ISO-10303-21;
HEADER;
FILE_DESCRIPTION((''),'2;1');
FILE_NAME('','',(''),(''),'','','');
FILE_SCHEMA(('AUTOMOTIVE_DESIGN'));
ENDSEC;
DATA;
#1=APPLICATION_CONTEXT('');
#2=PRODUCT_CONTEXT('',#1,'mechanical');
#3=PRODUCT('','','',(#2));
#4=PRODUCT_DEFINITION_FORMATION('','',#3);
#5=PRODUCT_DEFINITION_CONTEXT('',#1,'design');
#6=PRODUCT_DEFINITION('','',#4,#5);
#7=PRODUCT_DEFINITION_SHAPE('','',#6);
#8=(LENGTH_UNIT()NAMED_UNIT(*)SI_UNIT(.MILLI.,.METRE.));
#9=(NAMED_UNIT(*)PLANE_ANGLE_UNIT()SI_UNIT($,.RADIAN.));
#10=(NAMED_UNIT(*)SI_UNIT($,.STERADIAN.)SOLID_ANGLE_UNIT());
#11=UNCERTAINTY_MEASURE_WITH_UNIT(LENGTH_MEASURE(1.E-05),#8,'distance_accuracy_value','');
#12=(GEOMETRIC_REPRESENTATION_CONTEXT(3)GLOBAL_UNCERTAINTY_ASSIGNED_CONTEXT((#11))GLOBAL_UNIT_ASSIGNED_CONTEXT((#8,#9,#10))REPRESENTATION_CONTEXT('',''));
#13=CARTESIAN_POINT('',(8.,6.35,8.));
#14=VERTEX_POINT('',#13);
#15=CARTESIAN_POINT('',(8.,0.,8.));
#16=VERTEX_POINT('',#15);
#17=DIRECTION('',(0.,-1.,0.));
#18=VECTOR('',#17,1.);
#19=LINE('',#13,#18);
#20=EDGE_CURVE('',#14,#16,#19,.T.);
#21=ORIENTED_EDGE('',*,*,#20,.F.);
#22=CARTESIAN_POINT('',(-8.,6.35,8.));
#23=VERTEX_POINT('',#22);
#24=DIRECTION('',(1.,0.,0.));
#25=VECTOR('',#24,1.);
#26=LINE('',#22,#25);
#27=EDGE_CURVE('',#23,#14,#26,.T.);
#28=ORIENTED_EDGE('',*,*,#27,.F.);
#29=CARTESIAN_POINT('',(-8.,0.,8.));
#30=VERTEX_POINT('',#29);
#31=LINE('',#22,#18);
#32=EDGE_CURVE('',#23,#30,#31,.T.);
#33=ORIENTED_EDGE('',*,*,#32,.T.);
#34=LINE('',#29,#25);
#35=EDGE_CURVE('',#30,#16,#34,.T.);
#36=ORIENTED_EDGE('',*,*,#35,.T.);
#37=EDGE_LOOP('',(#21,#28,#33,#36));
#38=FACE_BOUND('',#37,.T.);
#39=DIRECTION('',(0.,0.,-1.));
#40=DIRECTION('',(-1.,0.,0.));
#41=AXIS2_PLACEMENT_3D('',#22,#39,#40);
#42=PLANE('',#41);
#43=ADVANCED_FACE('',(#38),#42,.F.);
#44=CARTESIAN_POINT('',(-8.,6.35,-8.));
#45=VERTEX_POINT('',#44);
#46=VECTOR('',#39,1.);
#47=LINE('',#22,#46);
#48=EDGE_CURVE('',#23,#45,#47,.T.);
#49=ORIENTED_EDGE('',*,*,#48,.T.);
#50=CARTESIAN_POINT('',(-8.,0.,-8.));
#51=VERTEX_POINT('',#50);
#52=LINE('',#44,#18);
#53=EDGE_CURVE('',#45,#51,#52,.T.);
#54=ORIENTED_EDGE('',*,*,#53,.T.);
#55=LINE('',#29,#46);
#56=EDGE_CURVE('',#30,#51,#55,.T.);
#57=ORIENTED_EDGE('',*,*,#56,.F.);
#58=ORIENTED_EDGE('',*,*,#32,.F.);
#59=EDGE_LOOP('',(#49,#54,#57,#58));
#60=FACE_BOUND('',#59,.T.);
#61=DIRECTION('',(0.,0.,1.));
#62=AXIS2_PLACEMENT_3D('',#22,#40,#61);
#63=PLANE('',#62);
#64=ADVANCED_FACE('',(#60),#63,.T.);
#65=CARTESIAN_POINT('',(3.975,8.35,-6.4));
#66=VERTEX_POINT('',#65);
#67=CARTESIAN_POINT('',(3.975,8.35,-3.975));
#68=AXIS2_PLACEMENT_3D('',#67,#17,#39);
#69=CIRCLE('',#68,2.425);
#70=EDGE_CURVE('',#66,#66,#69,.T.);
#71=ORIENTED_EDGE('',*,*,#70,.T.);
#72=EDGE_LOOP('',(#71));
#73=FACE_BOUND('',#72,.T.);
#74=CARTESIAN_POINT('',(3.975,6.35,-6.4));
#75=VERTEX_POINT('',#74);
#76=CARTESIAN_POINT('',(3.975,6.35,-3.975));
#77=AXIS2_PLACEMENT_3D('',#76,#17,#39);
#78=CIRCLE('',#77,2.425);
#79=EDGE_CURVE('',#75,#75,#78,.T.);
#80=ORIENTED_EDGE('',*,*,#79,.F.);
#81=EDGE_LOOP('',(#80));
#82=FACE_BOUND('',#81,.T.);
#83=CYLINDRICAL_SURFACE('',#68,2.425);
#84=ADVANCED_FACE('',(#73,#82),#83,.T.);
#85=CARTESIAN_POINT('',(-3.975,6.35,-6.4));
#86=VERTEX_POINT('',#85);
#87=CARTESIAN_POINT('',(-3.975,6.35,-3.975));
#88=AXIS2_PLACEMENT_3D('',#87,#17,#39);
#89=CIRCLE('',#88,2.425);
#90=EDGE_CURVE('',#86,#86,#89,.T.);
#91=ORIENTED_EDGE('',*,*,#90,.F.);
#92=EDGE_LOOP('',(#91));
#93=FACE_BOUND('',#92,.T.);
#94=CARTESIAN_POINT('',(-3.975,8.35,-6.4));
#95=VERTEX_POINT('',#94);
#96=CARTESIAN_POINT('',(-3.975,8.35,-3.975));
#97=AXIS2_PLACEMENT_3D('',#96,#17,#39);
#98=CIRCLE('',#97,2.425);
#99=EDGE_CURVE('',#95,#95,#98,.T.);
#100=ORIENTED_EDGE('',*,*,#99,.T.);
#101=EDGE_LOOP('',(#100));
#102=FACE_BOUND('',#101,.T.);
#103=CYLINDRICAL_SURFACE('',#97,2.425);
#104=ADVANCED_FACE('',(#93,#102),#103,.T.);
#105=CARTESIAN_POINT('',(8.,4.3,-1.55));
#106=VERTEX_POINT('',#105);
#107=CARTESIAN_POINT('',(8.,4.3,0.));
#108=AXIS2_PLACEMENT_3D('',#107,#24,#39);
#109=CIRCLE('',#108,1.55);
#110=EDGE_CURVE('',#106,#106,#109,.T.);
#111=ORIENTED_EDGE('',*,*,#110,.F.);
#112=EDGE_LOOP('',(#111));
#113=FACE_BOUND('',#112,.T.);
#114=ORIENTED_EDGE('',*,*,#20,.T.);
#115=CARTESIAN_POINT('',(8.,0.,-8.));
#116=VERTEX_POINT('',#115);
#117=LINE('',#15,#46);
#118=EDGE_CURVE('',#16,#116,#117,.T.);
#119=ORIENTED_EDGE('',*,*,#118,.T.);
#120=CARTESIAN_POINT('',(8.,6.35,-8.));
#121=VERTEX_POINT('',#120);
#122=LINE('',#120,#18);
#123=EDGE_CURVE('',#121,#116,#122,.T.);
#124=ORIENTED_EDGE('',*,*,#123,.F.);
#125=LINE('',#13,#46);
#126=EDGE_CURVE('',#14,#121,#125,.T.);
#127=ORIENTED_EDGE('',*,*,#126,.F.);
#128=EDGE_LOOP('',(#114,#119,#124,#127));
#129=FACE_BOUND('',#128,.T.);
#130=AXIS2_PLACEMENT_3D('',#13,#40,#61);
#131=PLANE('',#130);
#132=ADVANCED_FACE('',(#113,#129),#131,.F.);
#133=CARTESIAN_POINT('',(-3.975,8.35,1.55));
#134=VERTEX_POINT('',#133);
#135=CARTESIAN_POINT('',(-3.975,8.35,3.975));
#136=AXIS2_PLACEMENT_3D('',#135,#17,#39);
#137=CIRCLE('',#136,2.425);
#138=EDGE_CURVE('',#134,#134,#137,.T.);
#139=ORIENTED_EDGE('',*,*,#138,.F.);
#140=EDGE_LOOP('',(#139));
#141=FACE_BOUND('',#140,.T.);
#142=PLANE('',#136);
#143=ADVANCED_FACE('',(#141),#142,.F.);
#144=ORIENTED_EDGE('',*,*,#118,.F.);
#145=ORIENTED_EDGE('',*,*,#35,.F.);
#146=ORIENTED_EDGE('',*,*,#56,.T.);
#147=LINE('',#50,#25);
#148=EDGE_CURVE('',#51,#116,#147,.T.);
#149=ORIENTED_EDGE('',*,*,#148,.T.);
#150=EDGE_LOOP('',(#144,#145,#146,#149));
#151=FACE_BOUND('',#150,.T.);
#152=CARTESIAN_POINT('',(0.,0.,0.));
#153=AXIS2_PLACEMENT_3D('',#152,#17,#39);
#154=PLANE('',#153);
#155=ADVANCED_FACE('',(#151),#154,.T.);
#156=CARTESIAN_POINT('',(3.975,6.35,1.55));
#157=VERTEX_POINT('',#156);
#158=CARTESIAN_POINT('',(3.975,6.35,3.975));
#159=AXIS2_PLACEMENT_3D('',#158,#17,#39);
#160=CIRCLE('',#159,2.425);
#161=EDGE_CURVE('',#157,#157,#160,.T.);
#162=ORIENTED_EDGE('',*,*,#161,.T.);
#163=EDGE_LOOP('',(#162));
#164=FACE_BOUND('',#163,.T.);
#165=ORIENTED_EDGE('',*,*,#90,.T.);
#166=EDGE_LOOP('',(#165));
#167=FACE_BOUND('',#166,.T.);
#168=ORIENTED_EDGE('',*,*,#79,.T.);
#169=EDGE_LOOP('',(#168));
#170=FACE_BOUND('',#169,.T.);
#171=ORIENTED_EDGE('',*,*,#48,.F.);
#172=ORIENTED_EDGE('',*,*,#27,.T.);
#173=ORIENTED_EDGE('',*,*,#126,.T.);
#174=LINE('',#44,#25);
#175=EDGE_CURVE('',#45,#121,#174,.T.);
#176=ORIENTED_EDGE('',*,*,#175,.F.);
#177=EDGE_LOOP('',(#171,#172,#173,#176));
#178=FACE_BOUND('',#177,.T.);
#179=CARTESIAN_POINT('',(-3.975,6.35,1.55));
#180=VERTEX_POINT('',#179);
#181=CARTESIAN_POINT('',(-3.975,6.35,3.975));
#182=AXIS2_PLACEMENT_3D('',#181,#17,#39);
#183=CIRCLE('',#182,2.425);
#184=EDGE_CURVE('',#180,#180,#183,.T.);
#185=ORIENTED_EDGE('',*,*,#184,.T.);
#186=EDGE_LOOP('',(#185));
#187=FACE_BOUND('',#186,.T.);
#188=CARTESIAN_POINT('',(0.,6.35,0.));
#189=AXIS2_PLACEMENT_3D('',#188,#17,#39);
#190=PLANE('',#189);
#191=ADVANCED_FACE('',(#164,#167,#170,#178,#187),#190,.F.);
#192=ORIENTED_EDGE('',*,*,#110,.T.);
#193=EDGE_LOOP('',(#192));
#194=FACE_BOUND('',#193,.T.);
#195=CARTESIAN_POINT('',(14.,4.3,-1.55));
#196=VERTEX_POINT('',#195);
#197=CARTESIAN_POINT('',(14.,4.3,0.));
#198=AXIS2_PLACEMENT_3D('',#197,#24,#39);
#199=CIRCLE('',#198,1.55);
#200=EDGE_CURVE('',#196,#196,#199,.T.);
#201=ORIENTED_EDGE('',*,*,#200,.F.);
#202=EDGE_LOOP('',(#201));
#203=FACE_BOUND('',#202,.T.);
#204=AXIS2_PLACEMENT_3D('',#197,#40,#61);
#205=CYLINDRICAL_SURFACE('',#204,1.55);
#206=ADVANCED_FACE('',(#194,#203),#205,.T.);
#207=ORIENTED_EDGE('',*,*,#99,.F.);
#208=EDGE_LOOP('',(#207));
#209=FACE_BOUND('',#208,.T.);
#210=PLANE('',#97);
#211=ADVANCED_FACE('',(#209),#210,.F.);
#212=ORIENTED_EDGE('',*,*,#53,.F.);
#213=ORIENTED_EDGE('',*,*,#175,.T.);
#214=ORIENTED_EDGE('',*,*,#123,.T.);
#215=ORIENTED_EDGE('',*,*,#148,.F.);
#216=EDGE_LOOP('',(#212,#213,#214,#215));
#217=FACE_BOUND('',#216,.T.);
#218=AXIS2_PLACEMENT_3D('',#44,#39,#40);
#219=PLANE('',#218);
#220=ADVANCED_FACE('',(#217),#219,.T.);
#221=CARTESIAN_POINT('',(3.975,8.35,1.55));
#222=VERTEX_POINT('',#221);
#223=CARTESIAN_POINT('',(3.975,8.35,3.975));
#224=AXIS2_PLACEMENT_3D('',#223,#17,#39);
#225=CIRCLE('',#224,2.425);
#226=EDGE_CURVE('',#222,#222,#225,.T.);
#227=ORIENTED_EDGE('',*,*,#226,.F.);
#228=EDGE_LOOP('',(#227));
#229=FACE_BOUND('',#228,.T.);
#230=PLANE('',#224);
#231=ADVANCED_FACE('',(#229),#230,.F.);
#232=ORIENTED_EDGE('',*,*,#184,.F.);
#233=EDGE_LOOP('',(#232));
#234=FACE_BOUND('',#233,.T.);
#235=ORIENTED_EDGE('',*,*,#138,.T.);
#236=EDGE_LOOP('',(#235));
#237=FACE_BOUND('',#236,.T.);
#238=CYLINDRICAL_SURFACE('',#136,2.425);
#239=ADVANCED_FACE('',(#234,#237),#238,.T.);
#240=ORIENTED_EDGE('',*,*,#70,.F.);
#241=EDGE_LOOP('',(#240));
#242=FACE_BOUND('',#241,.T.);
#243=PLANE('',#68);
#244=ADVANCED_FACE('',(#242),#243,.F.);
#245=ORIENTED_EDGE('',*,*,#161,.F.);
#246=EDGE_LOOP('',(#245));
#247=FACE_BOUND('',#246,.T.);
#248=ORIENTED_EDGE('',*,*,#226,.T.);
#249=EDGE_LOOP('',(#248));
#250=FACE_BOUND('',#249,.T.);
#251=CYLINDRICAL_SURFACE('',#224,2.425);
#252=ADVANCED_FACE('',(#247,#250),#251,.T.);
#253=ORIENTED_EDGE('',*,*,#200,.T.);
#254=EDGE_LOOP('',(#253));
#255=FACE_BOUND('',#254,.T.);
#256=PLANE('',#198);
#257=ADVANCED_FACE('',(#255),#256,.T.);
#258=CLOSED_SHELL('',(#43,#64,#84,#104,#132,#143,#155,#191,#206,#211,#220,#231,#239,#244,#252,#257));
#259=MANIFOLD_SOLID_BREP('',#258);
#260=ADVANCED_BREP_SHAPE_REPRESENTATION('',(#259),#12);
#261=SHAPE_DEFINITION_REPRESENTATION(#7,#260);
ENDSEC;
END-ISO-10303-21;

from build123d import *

# Parameters (mm, degrees)
SKETCH1_W           = 16
SKETCH1_H           = 16
BOSS_EXTRUDE1_DEPTH = 6.35
BOSS_EXTRUDE2_START = 6.35
SKETCH1_3_R         = 2.425
BOSS_EXTRUDE2_DEPTH = 2
SKETCH2_R           = 1.55
BOSS_EXTRUDE3_DEPTH = 6


with BuildPart() as part:
    # Sketch1 → Boss-Extrude1 (new body)
    with BuildSketch(Plane(origin=(0, 0, 0), x_dir=(1, 0, 0), z_dir=(0, 1, 0))):
        Rectangle(SKETCH1_W, SKETCH1_H)
    extrude(amount=BOSS_EXTRUDE1_DEPTH)

    # Sketch1<3> → Boss-Extrude2 (add)
    with BuildSketch(Plane(origin=(0, 0, 0), x_dir=(1, 0, 0), z_dir=(0, 1, 0)).offset(BOSS_EXTRUDE2_START)):
        with Locations(Location((-3.975, -3.975, 0), (0, 0, 90))):
            Circle(SKETCH1_3_R)
        with Locations(Location((3.975, -3.975, 0), (0, 0, 90))):
            Circle(SKETCH1_3_R)
        with Locations(Location((3.975, 3.975, 0), (0, 0, 90))):
            Circle(SKETCH1_3_R)
        with Locations(Location((-3.975, 3.975, 0), (0, 0, 90))):
            Circle(SKETCH1_3_R)
    extrude(amount=BOSS_EXTRUDE2_DEPTH)

    # Sketch2 → Boss-Extrude3 (add)
    with BuildSketch(Plane(origin=(8, 0, 0), x_dir=(0, 0, -1), z_dir=(1, 0, 0))):
        with Locations((0, 4.3)):
            Circle(SKETCH2_R)
    extrude(amount=BOSS_EXTRUDE3_DEPTH)


solid = part.part
